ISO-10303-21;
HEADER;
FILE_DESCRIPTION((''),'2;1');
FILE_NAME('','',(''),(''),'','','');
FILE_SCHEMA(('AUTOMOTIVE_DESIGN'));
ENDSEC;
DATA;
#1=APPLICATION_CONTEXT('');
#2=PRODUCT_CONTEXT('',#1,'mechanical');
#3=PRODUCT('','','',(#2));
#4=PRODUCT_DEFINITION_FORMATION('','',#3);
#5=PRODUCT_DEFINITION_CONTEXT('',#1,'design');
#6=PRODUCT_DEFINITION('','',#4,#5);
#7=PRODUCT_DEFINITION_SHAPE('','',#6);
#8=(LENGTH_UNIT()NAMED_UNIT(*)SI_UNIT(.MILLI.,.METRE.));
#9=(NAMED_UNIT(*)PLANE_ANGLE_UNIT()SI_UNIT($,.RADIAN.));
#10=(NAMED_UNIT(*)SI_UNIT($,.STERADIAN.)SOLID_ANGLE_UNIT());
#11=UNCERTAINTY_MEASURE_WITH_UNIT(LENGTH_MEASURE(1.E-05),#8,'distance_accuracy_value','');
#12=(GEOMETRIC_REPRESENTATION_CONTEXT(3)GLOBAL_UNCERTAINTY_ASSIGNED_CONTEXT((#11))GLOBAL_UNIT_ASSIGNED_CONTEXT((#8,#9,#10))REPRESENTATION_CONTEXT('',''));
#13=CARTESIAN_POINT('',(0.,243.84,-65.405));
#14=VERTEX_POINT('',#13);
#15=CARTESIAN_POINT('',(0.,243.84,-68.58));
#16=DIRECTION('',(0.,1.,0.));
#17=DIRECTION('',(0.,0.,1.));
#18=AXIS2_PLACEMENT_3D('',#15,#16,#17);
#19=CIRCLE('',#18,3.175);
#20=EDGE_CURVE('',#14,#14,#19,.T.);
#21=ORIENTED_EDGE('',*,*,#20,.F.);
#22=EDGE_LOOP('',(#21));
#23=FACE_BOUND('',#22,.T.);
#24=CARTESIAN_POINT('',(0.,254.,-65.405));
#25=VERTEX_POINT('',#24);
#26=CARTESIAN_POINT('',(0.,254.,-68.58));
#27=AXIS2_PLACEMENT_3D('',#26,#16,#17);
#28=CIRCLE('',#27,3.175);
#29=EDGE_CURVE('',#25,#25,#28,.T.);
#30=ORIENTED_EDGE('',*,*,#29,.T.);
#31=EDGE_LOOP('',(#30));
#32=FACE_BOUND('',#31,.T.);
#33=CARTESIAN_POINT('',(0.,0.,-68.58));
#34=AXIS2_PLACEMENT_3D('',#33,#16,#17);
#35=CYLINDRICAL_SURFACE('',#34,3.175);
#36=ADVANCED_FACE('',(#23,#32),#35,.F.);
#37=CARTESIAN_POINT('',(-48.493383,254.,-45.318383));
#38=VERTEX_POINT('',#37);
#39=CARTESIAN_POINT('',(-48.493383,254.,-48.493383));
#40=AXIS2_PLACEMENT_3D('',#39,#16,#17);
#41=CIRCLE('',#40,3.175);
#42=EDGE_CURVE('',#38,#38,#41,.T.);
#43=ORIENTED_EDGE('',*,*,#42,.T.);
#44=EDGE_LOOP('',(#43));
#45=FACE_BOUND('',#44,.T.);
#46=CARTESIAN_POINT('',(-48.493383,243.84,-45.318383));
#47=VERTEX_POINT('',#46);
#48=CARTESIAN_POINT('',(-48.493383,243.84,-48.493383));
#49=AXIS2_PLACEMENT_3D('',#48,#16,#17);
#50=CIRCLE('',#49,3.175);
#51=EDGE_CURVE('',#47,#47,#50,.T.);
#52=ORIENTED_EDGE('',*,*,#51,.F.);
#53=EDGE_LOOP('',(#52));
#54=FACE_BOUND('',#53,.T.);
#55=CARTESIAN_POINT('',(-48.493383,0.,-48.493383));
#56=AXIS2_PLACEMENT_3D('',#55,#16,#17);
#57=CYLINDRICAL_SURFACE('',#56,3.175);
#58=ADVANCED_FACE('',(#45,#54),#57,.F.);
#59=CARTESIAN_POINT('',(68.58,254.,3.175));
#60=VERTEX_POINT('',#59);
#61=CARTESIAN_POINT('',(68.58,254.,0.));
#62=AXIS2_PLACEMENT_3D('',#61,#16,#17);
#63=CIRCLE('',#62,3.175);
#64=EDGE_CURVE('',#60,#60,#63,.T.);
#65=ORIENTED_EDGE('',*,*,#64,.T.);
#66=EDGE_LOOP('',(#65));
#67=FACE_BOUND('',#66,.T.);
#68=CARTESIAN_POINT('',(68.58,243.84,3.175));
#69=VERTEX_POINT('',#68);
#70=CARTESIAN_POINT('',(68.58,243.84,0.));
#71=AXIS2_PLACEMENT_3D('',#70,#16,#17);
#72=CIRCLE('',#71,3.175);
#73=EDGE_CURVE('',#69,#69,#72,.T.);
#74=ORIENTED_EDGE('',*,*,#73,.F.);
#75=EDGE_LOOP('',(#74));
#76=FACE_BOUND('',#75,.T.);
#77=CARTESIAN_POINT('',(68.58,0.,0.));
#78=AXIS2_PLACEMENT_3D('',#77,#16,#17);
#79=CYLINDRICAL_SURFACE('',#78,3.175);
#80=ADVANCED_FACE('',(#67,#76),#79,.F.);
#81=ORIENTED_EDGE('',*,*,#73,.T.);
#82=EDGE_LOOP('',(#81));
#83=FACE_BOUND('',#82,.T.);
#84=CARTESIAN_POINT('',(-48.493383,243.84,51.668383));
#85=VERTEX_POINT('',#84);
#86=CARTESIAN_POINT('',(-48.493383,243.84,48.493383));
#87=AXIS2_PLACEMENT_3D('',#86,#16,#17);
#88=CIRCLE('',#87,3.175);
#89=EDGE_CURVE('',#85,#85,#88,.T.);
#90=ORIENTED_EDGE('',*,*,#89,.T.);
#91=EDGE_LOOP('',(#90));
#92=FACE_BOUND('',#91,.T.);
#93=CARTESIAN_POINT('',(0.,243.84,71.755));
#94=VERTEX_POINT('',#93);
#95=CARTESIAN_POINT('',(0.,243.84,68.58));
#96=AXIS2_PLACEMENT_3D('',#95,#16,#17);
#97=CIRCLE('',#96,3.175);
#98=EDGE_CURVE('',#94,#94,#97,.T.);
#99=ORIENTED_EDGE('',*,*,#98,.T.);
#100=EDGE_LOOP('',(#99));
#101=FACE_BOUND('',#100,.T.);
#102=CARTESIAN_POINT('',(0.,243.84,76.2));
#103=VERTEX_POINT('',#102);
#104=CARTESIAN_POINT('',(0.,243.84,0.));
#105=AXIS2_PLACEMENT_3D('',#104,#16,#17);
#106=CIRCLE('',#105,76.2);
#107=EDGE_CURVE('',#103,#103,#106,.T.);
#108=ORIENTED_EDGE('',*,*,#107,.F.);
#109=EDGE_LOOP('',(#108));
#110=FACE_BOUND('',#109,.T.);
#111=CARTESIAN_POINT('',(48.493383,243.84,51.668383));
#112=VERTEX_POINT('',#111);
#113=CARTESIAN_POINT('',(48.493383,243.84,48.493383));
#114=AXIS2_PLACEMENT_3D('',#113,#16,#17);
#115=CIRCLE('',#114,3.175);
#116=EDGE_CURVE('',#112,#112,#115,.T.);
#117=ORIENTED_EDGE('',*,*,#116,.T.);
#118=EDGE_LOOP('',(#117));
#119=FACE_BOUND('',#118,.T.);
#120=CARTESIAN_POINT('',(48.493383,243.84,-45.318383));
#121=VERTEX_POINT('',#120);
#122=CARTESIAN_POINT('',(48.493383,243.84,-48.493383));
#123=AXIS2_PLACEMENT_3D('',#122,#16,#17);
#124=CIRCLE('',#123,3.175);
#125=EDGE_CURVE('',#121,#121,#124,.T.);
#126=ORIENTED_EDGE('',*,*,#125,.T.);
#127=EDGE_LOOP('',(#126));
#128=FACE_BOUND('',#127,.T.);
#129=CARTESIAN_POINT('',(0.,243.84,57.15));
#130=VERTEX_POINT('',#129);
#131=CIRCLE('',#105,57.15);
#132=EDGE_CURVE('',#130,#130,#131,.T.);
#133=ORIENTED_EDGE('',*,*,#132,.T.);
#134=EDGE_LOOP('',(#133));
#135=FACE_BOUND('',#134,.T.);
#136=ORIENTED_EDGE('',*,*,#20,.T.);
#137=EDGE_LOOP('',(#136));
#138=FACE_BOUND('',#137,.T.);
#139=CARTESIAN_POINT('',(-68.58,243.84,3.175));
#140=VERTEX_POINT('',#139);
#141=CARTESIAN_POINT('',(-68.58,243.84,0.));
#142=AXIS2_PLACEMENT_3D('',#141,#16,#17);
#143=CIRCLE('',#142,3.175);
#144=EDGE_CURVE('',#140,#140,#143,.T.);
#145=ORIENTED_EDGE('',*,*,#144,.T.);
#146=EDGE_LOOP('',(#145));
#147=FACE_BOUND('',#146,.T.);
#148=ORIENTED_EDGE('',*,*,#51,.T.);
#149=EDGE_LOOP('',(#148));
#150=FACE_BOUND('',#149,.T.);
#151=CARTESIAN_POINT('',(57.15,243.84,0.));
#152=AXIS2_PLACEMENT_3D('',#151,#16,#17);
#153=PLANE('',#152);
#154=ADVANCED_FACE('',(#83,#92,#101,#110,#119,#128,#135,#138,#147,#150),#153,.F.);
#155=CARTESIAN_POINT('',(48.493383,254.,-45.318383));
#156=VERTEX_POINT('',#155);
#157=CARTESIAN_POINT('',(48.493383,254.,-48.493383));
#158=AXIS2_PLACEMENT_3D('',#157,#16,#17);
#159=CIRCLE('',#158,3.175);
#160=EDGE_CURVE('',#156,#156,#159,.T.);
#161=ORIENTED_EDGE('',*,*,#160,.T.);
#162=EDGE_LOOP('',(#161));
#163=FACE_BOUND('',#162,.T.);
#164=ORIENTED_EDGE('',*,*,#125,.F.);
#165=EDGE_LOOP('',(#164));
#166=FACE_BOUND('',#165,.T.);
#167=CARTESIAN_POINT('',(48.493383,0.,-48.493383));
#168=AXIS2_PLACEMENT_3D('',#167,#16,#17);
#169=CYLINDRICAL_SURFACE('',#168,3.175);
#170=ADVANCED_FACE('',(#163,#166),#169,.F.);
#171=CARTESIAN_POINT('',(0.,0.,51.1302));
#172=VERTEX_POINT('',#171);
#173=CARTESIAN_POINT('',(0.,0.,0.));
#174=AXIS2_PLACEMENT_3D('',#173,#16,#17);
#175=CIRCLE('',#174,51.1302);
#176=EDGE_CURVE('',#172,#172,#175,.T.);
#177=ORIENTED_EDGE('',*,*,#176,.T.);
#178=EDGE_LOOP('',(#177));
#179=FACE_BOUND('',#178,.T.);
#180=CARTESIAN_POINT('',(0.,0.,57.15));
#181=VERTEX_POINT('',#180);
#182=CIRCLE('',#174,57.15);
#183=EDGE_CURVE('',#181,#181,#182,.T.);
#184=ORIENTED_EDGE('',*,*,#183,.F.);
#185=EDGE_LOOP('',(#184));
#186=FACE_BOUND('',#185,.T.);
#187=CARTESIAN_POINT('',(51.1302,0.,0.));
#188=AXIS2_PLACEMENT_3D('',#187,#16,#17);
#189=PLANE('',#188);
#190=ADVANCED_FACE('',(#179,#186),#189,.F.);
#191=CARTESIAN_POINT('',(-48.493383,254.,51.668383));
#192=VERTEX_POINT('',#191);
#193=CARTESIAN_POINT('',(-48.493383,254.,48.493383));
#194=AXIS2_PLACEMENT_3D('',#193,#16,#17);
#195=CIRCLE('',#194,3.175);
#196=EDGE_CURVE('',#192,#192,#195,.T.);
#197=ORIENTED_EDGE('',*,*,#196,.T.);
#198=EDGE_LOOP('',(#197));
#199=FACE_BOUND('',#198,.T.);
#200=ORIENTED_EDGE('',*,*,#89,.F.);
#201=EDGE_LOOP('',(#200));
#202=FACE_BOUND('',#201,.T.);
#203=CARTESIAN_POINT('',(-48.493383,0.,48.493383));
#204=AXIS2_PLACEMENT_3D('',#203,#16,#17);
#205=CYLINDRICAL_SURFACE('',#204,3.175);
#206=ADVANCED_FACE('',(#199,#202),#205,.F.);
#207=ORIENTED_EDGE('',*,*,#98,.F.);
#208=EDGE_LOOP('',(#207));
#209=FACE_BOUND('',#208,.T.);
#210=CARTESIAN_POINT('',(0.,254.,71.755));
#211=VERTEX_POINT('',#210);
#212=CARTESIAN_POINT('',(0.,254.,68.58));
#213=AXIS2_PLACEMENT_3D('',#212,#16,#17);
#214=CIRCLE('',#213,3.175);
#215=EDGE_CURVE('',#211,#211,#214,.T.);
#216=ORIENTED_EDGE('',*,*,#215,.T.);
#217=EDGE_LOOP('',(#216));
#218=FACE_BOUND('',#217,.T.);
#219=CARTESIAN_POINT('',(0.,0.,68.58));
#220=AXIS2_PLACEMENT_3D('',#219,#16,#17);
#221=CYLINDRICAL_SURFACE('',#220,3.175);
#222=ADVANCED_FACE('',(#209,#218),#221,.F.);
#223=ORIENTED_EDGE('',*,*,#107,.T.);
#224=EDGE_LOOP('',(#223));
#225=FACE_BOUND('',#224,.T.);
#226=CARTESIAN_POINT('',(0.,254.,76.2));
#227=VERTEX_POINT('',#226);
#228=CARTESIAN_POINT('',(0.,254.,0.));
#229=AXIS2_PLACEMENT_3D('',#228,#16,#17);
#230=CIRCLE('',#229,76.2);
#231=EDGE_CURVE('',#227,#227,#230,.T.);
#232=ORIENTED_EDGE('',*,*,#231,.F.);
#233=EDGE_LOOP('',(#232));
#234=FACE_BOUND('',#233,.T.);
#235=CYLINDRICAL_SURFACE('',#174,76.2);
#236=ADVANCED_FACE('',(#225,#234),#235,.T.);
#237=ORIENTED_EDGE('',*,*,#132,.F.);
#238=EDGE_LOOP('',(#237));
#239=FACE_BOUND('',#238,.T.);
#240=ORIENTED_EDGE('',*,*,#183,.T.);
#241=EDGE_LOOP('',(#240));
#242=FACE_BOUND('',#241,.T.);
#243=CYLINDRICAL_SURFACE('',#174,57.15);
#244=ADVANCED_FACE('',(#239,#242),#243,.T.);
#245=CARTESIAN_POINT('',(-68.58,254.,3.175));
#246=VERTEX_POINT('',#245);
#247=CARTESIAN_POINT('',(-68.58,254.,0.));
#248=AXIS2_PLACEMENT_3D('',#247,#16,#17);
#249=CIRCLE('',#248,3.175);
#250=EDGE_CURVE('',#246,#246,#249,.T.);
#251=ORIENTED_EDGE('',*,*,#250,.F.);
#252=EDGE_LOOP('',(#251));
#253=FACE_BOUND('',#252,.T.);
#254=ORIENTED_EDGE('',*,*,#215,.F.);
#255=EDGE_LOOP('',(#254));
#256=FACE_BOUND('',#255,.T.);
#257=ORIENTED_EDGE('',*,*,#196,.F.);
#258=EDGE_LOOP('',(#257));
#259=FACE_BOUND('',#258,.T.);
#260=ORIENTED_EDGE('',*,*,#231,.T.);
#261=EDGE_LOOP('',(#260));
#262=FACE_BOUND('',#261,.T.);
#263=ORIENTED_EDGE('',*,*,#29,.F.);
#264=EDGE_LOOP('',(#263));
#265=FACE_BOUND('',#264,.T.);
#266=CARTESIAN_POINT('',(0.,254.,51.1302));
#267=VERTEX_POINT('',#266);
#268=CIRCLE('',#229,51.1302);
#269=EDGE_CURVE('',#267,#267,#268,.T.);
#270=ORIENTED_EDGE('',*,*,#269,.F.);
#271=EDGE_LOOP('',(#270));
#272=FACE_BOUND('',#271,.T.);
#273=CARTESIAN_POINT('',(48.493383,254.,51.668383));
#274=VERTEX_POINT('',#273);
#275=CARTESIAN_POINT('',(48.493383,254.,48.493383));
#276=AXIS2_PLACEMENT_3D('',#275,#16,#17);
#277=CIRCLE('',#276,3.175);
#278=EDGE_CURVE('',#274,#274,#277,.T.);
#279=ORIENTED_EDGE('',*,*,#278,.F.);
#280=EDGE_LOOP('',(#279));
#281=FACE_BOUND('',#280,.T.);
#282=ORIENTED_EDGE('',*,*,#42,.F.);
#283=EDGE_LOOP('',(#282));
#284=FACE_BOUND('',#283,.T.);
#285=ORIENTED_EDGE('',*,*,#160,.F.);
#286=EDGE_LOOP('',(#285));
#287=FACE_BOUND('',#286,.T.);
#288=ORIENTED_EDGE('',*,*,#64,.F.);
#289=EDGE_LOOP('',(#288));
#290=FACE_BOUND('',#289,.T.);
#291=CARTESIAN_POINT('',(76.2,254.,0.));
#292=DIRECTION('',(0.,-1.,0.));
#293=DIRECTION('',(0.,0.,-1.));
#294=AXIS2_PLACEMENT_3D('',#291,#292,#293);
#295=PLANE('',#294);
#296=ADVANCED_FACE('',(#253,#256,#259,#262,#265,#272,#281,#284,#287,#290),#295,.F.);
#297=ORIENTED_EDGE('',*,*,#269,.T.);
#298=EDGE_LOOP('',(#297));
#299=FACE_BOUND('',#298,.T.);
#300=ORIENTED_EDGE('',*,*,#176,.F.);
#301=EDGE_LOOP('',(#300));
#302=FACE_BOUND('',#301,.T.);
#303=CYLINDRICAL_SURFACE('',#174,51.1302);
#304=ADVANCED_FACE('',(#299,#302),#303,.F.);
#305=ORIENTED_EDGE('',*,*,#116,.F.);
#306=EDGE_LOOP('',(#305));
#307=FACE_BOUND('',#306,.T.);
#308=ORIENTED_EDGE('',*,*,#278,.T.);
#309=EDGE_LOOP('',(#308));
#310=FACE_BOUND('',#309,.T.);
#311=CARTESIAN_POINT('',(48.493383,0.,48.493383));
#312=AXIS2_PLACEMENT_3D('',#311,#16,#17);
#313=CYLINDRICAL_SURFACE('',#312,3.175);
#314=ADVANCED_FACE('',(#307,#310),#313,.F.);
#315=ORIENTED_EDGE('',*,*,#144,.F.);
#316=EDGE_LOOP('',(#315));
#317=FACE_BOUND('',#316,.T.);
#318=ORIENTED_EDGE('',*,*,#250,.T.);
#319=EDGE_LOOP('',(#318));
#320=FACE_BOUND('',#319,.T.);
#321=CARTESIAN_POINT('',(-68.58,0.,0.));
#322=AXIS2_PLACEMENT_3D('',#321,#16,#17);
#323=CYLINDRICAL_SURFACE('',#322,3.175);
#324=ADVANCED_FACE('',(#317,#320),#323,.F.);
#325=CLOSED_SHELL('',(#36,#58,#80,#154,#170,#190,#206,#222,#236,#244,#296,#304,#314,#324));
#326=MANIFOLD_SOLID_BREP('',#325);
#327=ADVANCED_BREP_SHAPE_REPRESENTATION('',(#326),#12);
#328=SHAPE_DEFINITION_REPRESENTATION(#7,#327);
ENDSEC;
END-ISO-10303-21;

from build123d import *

# Parameters (mm, degrees)
BOLT_HOLES_PROFILE_R = 3.175
BOLT_HOLES_DEPTH     = 276.914624476


with BuildPart() as part:
    # Shell Profile → Shell Revolve (revolve)
    with BuildSketch(Plane.XY, mode=Mode.PRIVATE) as shell_revolve_sk:
        Polygon((51.1302, 0), (51.1302, 254), (76.2, 254), (76.2, 243.84), (57.15, 243.84), (57.15, 0), align=None)
    revolve(shell_revolve_sk.sketch.rotate(Axis((0, 0, 0), (0, -1, 0)), 90), axis=Axis((0, 0, 0), (0, -1, 0)))

    # Bolt Holes Profile → Bolt Holes (cut, through all)
    with BuildSketch(Plane(origin=(0, 254, 0), x_dir=(1, 0, 0), z_dir=(0, 1, 0))):
        with Locations(Location((0, 68.58, 0), (0, 0, 270))):
            Circle(BOLT_HOLES_PROFILE_R)
        with Locations(Location((48.493383054, 48.493383054, 0), (0, 0, 270))):
            Circle(BOLT_HOLES_PROFILE_R)
        with Locations(Location((68.58, 0, 0), (0, 0, 270))):
            Circle(BOLT_HOLES_PROFILE_R)
        with Locations(Location((48.493383054, -48.493383054, 0), (0, 0, 270))):
            Circle(BOLT_HOLES_PROFILE_R)
        with Locations(Location((0, -68.58, 0), (0, 0, 270))):
            Circle(BOLT_HOLES_PROFILE_R)
        with Locations(Location((-48.493383054, -48.493383054, 0), (0, 0, 270))):
            Circle(BOLT_HOLES_PROFILE_R)
        with Locations(Location((-68.58, 0, 0), (0, 0, 270))):
            Circle(BOLT_HOLES_PROFILE_R)
        with Locations(Location((-48.493383054, 48.493383054, 0), (0, 0, 270))):
            Circle(BOLT_HOLES_PROFILE_R)
    extrude(amount=-BOLT_HOLES_DEPTH, mode=Mode.SUBTRACT)


solid = part.part
